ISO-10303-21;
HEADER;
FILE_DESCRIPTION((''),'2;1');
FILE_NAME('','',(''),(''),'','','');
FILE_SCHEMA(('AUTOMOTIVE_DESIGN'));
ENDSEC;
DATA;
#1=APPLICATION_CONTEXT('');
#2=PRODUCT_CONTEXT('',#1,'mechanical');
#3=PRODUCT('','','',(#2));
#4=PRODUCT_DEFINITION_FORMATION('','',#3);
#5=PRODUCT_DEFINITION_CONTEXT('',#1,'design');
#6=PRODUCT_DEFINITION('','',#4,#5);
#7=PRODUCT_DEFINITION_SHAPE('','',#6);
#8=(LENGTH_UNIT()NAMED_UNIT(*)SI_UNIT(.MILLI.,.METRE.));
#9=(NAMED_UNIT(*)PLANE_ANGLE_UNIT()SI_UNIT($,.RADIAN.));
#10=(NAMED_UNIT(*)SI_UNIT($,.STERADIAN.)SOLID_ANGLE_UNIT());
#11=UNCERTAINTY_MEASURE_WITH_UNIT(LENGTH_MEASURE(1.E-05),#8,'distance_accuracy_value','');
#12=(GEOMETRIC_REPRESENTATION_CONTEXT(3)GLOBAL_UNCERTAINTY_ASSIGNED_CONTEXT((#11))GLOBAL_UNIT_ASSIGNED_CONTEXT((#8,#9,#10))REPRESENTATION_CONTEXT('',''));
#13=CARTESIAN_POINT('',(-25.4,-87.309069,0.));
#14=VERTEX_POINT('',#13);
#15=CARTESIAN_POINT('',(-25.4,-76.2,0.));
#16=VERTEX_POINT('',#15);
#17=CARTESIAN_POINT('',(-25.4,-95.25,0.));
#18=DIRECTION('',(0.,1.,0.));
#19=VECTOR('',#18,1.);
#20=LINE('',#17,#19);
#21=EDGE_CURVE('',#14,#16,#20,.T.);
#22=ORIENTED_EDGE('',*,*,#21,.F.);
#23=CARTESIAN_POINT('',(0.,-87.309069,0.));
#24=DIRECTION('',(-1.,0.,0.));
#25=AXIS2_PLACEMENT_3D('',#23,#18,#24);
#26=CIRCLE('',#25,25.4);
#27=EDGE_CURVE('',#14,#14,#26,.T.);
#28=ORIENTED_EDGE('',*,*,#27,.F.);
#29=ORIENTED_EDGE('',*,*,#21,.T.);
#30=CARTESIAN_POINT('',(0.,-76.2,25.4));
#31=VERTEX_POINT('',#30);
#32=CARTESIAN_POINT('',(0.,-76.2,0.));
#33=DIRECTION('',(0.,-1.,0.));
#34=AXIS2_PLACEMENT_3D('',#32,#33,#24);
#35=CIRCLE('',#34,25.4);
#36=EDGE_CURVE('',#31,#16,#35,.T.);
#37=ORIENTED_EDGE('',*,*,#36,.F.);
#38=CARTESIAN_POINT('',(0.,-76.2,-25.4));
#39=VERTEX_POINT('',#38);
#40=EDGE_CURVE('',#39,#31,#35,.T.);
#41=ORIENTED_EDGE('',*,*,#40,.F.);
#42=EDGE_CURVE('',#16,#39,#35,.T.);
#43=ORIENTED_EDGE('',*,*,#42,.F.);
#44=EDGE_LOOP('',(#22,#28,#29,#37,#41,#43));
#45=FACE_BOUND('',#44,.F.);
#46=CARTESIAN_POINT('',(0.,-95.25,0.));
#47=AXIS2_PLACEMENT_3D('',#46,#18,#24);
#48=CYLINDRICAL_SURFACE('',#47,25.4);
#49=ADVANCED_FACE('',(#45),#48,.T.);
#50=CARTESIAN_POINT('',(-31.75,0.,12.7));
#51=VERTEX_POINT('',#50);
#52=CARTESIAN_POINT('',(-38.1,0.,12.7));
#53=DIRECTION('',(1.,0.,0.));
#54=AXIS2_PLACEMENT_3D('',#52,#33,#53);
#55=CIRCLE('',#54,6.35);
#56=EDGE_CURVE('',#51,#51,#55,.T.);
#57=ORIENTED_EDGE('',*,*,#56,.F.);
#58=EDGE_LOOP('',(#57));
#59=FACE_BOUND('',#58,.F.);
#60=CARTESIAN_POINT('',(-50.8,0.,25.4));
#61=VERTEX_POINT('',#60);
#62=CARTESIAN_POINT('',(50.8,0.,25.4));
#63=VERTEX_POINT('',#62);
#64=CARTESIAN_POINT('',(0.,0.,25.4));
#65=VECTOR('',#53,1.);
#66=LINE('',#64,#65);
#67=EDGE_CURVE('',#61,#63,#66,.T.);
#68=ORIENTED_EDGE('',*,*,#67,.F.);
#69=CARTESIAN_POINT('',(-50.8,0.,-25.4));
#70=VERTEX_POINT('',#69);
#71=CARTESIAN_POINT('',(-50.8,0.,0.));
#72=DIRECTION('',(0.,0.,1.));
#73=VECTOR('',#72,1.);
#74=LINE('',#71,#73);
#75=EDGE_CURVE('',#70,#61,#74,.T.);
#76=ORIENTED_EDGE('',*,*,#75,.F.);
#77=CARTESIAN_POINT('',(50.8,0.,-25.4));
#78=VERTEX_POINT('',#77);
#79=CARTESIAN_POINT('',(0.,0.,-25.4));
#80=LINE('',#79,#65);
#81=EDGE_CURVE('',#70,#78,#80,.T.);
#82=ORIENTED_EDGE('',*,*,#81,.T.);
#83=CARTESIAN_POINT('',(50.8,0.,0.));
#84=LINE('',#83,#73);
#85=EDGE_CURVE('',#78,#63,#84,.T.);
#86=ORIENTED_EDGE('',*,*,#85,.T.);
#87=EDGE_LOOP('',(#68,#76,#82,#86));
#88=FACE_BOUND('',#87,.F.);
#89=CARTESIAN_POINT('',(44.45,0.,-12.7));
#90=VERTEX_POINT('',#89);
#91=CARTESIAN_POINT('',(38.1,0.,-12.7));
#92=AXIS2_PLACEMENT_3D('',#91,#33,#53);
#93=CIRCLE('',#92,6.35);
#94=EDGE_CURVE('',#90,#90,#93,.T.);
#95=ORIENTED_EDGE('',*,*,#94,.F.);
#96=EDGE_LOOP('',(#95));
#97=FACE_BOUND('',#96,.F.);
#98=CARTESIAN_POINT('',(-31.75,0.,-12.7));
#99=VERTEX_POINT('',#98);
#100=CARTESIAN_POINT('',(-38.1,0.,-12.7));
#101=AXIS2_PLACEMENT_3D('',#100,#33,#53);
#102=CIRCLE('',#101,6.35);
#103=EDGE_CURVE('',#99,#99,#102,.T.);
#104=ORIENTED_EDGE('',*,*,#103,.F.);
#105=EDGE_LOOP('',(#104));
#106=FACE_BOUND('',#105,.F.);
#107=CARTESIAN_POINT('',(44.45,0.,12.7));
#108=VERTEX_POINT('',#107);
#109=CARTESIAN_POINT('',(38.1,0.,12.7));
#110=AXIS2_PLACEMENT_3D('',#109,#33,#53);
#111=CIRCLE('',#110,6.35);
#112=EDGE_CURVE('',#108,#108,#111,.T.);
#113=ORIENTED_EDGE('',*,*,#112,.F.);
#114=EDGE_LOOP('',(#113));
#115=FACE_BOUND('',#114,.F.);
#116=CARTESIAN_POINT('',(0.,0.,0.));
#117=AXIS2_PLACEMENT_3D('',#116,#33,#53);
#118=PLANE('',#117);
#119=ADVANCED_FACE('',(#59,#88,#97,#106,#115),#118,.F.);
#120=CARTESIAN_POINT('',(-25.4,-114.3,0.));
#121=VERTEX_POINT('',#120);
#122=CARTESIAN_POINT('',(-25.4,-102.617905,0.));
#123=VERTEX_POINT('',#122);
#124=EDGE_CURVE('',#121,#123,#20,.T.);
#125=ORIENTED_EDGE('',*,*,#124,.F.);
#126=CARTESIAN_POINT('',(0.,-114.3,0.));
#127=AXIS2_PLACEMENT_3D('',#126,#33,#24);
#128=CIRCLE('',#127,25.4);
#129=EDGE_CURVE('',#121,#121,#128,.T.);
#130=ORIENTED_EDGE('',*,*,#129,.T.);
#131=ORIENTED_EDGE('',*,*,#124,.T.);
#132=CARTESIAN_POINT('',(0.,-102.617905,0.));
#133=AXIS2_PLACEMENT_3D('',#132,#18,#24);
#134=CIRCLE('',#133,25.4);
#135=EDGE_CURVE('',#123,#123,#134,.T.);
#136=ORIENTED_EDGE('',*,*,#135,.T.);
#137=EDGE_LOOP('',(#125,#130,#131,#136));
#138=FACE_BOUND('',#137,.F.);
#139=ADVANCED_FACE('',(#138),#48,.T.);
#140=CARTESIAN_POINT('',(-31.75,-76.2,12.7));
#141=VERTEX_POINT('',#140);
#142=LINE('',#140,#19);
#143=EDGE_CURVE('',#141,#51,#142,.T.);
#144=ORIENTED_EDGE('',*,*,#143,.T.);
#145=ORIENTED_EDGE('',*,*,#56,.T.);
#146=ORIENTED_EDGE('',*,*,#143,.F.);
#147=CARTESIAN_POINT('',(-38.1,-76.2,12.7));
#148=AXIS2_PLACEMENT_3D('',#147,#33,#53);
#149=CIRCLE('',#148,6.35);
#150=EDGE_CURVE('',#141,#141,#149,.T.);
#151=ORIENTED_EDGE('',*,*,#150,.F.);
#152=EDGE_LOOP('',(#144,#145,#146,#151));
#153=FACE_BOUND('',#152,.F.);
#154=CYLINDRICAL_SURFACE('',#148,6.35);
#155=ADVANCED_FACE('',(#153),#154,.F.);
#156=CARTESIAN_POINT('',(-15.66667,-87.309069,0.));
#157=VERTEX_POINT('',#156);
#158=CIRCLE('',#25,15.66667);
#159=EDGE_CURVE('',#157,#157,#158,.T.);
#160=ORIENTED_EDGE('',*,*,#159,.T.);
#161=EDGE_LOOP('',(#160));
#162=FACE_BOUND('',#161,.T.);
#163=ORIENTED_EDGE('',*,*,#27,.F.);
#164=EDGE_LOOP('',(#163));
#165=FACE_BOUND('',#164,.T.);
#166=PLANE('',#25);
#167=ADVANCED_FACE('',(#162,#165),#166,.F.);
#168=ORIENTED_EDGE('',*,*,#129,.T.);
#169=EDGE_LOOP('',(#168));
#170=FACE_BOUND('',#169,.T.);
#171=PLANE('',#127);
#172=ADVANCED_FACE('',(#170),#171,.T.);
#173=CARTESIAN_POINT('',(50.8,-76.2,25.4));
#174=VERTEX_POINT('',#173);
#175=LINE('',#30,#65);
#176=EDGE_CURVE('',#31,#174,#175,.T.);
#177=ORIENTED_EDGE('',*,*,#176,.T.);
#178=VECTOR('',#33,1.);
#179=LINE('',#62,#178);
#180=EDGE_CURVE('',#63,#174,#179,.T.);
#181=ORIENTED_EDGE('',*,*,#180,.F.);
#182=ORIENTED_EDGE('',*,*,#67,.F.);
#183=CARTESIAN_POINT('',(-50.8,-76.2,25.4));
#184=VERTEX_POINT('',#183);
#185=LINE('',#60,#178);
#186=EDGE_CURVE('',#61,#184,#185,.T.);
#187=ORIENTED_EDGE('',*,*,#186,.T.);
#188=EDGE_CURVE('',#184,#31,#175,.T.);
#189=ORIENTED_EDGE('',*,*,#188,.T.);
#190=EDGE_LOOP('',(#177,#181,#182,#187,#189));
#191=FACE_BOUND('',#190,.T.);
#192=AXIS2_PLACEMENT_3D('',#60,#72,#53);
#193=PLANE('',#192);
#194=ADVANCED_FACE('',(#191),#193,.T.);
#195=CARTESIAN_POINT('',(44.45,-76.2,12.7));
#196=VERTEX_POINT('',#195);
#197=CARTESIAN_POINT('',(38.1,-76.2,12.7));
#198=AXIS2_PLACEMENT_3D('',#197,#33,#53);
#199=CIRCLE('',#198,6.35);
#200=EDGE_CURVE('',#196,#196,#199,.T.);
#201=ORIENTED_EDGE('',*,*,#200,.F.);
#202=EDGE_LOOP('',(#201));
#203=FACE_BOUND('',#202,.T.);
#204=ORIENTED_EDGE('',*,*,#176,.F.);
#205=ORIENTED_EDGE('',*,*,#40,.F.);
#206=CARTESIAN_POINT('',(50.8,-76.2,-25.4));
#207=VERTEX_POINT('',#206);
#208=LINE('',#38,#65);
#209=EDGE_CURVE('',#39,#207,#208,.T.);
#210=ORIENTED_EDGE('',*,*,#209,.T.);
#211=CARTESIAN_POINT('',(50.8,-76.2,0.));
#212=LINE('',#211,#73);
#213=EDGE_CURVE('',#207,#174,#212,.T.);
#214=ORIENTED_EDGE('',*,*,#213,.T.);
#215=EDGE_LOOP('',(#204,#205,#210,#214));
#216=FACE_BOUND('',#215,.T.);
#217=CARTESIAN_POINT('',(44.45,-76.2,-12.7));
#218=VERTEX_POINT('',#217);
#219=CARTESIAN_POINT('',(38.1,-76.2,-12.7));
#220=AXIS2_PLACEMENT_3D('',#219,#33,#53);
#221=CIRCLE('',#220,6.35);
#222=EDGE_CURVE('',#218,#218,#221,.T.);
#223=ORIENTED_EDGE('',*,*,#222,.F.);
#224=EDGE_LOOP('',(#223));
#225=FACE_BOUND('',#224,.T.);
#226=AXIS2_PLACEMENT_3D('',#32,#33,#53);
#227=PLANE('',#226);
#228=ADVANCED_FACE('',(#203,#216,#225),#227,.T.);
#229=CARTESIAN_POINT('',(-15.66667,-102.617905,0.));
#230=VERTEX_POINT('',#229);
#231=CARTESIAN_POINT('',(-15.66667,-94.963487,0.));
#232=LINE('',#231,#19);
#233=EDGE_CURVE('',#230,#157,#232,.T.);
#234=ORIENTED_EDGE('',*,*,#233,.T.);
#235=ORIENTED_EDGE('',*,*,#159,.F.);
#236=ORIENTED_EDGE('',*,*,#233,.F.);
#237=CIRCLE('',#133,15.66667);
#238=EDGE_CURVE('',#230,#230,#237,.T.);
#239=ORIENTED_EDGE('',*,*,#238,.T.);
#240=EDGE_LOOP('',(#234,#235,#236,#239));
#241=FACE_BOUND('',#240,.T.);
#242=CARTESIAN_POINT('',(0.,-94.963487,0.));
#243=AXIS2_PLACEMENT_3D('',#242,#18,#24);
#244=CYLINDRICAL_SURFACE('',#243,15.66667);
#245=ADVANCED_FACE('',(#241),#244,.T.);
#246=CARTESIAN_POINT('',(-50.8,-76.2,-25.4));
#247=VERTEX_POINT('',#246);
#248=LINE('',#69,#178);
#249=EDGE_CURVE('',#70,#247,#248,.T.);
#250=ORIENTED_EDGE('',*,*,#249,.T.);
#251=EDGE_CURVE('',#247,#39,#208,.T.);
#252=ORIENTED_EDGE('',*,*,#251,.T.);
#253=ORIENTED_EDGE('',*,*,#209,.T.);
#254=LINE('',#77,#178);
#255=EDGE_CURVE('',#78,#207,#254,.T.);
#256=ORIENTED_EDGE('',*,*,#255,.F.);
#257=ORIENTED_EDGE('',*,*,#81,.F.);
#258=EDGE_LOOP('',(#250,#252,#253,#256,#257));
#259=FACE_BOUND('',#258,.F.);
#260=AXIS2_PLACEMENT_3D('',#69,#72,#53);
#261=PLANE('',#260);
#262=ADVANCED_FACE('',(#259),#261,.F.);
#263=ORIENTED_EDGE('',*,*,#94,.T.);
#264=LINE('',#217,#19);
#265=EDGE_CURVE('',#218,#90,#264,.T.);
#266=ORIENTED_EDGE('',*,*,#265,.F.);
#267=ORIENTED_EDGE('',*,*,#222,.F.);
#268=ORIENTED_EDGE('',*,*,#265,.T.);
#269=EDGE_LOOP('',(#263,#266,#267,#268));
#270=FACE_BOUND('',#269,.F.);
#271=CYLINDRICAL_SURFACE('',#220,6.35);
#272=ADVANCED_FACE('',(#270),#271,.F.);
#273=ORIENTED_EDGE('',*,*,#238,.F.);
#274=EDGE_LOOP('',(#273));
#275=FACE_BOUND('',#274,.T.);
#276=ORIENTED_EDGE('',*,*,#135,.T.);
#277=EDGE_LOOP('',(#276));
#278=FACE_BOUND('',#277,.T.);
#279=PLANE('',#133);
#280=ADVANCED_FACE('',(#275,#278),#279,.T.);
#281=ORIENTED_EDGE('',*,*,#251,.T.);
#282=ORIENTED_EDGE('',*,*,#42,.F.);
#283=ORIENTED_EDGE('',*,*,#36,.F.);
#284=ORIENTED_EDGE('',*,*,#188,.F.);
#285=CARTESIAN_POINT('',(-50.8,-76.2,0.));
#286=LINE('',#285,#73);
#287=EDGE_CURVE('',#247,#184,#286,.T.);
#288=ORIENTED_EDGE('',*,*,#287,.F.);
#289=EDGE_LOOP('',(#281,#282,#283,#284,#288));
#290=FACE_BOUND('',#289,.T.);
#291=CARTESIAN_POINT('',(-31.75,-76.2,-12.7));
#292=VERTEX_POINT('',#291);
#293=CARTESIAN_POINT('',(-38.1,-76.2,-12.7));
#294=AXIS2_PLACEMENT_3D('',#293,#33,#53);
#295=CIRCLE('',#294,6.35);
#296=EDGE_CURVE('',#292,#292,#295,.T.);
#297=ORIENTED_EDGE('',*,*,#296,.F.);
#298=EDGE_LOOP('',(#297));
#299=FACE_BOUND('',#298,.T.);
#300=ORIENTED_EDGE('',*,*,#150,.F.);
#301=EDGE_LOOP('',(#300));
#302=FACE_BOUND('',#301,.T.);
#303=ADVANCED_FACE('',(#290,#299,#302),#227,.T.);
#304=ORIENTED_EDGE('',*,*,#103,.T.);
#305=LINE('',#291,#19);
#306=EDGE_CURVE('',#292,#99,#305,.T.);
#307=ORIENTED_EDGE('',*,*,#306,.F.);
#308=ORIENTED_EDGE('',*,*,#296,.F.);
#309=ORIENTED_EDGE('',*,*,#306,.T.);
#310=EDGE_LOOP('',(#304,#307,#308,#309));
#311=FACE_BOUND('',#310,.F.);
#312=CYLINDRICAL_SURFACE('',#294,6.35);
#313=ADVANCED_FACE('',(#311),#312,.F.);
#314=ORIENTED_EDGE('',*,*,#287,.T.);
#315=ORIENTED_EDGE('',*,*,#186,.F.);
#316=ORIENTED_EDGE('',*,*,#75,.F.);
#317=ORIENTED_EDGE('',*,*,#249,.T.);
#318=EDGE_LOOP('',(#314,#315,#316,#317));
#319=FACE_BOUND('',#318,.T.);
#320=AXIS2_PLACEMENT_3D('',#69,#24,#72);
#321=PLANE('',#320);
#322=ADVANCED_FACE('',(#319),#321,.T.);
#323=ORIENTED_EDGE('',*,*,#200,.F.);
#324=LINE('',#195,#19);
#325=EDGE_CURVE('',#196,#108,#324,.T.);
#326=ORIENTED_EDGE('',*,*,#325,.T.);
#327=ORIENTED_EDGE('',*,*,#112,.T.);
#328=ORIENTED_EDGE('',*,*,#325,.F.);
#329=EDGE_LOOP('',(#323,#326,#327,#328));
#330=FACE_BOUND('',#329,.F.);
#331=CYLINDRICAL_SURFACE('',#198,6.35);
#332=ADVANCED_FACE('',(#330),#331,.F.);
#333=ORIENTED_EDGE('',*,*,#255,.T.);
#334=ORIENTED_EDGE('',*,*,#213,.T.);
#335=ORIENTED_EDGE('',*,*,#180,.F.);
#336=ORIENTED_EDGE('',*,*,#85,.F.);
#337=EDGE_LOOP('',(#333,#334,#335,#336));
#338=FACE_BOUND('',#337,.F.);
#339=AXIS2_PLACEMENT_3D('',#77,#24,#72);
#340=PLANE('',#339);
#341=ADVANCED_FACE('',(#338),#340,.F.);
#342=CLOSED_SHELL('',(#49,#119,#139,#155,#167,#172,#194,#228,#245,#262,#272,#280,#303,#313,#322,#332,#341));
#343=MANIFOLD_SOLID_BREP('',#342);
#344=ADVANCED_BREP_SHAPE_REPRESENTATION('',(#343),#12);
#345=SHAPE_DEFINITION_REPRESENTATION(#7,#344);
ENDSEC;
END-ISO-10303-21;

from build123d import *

# Parameters (mm, degrees)
F0_W     = 101.6
F0_H     = 50.8
F1_DEPTH = 76.2
F2_R     = 6.35
F3_DEPTH = 76.201
F4_W     = 25.4
F4_H     = 38.1
F6_W     = 0.105277
F6_H     = 15.308836
F6_W_2   = 9.73333


with BuildPart() as f1:
    # F0 (on Front) → F1 (new body)
    with BuildSketch(Plane.XZ):
        Rectangle(F0_W, F0_H)
    extrude(amount=F1_DEPTH)

    # F2 (on face) → F3 (cut, through all)
    with BuildSketch(Plane.XZ.offset(76.2)):
        with Locations((-38.1, 12.7)):
            Circle(F2_R)
        with Locations((-38.1, -12.7)):
            Circle(F2_R)
        with Locations((38.1, 12.7)):
            Circle(F2_R)
        with Locations((38.1, -12.7)):
            Circle(F2_R)
    extrude(amount=-F3_DEPTH, mode=Mode.SUBTRACT)

    # F4 (on Top) → F5 (revolve)
    with BuildSketch(Plane.XY):
        with Locations((-12.7, -95.25)):
            Rectangle(F4_W, F4_H)
    revolve(axis=Axis((0, -95.25, 0), (0, -1, 0)))

    # F6 (on Top) → F7 (revolve, cut)
    with BuildSketch(Plane.XY):
        with Locations((-25.452638, -94.963487)):
            Rectangle(F6_W, F6_H)
        with Locations((-20.533335, -94.963487)):
            Rectangle(F6_W_2, F6_H)
    revolve(axis=Axis((0, -61.931949, 0), (0, 1, 0)), mode=Mode.SUBTRACT)


solid = f1.part
